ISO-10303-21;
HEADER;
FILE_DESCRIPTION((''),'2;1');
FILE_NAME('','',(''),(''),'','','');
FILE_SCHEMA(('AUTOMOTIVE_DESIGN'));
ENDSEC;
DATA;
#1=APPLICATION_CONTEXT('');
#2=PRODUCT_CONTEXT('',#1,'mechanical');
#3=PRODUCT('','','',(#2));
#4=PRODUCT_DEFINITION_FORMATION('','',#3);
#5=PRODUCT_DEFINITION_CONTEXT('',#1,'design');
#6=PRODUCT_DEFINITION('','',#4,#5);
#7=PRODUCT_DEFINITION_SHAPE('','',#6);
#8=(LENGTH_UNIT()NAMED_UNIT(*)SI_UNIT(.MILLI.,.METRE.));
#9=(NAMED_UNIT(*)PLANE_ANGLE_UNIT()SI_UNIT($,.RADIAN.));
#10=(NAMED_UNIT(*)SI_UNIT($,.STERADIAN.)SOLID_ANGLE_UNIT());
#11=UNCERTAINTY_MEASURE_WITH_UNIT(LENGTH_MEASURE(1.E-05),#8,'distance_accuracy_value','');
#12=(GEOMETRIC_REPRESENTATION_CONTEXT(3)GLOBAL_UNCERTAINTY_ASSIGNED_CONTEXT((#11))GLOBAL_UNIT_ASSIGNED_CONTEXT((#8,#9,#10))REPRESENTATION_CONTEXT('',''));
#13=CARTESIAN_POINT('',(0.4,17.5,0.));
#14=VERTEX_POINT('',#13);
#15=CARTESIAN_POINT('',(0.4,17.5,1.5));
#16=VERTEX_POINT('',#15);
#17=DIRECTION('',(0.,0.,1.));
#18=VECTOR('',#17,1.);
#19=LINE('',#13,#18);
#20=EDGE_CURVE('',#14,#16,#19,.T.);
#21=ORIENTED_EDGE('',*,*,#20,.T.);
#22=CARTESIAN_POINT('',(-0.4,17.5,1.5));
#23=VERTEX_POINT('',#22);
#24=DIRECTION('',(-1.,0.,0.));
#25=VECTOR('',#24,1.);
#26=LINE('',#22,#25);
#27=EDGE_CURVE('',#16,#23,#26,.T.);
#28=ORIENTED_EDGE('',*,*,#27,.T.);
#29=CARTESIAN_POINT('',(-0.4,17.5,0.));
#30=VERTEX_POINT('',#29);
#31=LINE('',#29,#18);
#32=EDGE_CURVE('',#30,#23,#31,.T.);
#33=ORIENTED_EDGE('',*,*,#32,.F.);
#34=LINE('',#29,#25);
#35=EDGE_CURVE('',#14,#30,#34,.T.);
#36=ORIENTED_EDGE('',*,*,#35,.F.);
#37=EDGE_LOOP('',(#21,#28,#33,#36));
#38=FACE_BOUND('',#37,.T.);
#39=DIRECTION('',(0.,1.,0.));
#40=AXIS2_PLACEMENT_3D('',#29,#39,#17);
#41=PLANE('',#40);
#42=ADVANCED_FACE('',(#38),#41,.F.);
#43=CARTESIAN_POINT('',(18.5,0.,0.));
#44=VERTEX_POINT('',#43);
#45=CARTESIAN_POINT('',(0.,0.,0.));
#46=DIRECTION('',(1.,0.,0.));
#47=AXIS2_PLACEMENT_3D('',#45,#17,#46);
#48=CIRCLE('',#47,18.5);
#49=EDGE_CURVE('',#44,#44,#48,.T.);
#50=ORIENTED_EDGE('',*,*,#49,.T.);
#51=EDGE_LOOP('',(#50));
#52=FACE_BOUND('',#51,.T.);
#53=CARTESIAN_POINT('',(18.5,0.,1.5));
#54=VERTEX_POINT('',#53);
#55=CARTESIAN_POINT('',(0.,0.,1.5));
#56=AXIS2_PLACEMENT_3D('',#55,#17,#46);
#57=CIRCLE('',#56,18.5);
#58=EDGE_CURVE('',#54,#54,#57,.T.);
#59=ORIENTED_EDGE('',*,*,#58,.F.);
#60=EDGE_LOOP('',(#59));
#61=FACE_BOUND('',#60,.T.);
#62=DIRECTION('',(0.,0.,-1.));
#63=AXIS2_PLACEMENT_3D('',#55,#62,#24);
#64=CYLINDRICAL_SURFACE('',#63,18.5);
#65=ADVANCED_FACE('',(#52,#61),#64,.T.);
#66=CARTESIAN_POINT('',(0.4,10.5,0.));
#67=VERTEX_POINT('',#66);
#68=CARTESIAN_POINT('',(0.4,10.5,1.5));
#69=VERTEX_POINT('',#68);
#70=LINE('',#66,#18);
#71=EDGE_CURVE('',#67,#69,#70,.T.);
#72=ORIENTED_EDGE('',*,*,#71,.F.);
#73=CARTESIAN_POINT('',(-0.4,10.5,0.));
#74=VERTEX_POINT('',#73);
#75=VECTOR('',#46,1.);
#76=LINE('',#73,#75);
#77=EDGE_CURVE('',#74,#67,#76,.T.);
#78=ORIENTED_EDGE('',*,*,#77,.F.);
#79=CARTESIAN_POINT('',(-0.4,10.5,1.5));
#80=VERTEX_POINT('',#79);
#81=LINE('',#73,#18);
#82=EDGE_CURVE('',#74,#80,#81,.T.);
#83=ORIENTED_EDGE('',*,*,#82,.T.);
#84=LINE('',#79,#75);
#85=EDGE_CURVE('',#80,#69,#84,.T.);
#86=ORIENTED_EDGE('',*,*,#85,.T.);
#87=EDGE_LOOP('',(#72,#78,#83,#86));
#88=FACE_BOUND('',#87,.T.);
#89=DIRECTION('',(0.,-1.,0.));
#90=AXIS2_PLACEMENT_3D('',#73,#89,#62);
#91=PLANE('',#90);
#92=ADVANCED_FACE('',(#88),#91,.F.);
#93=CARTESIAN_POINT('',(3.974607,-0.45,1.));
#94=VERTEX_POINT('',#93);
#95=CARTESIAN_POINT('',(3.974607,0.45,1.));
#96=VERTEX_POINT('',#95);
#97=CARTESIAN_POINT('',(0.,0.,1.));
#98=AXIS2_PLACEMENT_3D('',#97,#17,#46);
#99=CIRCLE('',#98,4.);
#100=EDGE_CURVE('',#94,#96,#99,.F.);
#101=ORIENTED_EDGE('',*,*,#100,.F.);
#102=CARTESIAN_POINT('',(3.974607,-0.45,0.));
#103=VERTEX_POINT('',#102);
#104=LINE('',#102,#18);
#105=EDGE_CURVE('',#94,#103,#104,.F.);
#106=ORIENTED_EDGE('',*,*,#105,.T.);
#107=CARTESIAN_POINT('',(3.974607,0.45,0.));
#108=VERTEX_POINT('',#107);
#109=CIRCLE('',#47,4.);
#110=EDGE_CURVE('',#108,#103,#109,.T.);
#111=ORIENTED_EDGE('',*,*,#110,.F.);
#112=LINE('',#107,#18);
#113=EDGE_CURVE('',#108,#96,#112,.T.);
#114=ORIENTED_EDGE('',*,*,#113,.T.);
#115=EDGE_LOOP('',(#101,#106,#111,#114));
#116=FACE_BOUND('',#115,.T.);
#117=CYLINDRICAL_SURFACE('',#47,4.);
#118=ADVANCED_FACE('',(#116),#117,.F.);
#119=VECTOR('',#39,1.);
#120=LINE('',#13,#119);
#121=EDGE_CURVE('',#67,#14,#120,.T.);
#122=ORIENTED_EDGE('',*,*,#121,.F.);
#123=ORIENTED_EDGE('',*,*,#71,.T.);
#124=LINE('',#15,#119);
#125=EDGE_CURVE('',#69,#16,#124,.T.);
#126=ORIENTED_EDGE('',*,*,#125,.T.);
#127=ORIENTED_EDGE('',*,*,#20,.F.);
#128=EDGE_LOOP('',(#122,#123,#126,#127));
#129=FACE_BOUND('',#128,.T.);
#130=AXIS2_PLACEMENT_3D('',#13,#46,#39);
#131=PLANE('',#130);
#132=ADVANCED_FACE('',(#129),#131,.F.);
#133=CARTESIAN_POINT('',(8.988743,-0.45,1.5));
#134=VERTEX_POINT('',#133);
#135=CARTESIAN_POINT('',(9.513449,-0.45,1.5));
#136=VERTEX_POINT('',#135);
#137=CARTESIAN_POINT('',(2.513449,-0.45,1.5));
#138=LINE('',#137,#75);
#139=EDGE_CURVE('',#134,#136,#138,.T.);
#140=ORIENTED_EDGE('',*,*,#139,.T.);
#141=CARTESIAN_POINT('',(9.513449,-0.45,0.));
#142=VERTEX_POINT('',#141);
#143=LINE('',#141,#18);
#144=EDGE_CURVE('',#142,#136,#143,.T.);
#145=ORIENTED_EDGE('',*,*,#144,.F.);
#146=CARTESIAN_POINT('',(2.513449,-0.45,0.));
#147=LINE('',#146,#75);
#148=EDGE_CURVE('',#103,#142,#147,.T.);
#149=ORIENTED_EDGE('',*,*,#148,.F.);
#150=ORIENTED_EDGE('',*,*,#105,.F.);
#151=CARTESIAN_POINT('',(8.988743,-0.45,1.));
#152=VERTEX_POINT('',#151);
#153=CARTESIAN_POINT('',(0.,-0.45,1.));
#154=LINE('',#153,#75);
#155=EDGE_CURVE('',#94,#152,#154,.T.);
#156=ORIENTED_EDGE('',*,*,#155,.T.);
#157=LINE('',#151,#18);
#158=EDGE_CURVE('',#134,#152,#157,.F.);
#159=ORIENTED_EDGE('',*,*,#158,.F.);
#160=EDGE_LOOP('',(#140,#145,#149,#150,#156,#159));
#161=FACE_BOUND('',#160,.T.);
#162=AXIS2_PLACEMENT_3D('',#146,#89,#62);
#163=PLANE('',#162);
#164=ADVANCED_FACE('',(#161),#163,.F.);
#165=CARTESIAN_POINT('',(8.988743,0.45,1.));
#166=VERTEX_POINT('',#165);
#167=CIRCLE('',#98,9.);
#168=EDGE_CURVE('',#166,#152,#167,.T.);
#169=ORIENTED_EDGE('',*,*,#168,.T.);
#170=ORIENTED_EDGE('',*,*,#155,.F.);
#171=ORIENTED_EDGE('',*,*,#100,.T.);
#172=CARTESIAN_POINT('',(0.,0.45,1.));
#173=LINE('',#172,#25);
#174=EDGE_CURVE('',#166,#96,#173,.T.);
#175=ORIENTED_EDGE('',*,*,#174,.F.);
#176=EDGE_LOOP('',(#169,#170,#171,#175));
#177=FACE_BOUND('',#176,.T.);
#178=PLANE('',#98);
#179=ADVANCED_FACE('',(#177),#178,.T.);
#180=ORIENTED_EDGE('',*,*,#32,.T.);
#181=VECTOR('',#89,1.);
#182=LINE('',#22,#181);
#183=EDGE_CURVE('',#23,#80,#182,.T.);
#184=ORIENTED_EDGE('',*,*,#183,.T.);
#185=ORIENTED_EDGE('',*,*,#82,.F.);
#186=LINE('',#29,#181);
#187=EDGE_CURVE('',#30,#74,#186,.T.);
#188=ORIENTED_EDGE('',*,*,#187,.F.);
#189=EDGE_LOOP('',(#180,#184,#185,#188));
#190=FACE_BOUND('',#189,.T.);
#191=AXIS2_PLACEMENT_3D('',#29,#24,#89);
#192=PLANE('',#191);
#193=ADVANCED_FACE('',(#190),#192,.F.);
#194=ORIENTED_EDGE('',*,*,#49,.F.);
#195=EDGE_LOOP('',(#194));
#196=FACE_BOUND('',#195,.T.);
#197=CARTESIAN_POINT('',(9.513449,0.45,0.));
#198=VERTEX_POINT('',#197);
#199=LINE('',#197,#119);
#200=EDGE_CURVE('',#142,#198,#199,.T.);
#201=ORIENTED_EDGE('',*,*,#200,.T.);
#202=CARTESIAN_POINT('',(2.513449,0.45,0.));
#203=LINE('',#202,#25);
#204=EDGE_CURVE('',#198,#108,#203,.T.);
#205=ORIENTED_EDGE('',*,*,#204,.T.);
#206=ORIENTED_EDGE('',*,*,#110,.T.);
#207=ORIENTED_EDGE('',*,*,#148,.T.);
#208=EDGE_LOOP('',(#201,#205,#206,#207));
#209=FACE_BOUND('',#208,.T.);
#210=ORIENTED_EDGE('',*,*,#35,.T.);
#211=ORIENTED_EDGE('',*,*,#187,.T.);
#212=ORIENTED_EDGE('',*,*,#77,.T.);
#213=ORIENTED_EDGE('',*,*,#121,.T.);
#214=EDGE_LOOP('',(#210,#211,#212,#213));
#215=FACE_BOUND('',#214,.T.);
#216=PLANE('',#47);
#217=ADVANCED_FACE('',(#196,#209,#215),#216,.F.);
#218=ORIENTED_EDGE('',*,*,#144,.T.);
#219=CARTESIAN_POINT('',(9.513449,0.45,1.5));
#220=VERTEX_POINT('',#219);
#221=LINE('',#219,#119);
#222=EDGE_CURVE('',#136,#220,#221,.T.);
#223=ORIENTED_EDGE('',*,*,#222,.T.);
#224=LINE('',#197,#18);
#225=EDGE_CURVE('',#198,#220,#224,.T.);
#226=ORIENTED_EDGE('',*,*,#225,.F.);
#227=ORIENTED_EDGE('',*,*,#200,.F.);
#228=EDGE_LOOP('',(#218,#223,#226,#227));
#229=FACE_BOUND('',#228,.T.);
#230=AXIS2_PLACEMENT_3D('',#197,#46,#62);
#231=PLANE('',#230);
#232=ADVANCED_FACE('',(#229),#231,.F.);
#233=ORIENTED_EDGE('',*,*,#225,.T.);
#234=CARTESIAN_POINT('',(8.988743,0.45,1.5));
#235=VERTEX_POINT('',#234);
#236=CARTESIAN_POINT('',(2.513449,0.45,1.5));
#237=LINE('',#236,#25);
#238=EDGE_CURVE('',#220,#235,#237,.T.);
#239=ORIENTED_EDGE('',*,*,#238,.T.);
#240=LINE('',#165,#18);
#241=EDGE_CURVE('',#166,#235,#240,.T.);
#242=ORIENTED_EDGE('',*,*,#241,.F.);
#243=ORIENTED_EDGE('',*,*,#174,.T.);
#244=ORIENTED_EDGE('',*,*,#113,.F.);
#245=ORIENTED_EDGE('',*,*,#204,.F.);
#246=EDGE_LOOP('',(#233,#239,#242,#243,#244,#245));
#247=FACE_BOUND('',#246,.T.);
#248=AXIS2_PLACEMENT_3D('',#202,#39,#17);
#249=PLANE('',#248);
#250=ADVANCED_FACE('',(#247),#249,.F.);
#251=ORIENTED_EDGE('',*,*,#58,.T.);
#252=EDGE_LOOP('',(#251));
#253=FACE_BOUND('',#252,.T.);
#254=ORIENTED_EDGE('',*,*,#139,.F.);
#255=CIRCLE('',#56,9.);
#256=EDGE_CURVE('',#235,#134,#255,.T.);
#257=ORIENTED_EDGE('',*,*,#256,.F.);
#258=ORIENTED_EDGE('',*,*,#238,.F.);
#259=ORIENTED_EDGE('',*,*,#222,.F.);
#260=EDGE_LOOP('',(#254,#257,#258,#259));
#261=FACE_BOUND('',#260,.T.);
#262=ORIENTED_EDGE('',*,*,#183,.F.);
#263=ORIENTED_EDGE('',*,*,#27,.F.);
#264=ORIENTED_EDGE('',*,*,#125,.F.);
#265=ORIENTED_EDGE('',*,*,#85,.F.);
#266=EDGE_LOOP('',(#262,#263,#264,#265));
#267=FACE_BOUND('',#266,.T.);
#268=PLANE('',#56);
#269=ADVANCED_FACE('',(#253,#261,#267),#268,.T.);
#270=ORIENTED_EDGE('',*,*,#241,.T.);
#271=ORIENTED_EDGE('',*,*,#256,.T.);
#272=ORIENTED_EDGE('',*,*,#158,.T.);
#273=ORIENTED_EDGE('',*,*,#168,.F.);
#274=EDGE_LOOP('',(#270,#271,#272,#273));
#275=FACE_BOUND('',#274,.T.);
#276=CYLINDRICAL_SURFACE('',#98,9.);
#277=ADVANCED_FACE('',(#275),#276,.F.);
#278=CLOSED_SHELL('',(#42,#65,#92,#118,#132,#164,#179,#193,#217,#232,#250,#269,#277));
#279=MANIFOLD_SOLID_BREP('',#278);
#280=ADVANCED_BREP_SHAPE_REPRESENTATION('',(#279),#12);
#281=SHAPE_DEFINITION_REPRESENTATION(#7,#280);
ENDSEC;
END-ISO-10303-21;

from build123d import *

# Parameters (mm, degrees)
SKETCH_1_R          = 18.5
EXTRUDE_1_DEPTH     = 1.5
SKETCH_2_R          = 4
CUT_EXTRUDE_1_DEPTH = 27.205915363
SKETCH_3_R          = 9
CUT_EXTRUDE_2_DEPTH = 0.5
SKETCH_4_W          = 7
SKETCH_4_H          = 0.9
CUT_EXTRUDE_3_DEPTH = 27.205915363
SKETCH_5_W          = 0.8
SKETCH_5_H          = 7
CUT_EXTRUDE_4_DEPTH = 27.205915363


with BuildPart() as part:
    # Эскиз1 → Бобышка-Вытянуть1 (new body)
    with BuildSketch(Plane.XY):
        Circle(SKETCH_1_R)
    extrude(amount=EXTRUDE_1_DEPTH)

    # Эскиз2 → Вырез-Вытянуть1 (cut, through all)
    with BuildSketch(Plane.XY.offset(1.5)):
        Circle(SKETCH_2_R)
    extrude(amount=-CUT_EXTRUDE_1_DEPTH, mode=Mode.SUBTRACT)

    # Эскиз3 → Вырез-Вытянуть2 (cut)
    with BuildSketch(Plane.XY.offset(1.5)):
        Circle(SKETCH_3_R)
    extrude(amount=-CUT_EXTRUDE_2_DEPTH, mode=Mode.SUBTRACT)

    # Эскиз4 → Вырез-Вытянуть3 (cut, through all)
    with BuildSketch(Plane.XY.offset(1.5)):
        with Locations((6.013449427, 0)):
            Rectangle(SKETCH_4_W, SKETCH_4_H)
    extrude(amount=-CUT_EXTRUDE_3_DEPTH, mode=Mode.SUBTRACT)

    # Эскиз5 → Вырез-Вытянуть4 (cut, through all)
    with BuildSketch(Plane.XY.offset(1.5)):
        with Locations((0, 14)):
            Rectangle(SKETCH_5_W, SKETCH_5_H)
    extrude(amount=-CUT_EXTRUDE_4_DEPTH, mode=Mode.SUBTRACT)


solid = part.part
